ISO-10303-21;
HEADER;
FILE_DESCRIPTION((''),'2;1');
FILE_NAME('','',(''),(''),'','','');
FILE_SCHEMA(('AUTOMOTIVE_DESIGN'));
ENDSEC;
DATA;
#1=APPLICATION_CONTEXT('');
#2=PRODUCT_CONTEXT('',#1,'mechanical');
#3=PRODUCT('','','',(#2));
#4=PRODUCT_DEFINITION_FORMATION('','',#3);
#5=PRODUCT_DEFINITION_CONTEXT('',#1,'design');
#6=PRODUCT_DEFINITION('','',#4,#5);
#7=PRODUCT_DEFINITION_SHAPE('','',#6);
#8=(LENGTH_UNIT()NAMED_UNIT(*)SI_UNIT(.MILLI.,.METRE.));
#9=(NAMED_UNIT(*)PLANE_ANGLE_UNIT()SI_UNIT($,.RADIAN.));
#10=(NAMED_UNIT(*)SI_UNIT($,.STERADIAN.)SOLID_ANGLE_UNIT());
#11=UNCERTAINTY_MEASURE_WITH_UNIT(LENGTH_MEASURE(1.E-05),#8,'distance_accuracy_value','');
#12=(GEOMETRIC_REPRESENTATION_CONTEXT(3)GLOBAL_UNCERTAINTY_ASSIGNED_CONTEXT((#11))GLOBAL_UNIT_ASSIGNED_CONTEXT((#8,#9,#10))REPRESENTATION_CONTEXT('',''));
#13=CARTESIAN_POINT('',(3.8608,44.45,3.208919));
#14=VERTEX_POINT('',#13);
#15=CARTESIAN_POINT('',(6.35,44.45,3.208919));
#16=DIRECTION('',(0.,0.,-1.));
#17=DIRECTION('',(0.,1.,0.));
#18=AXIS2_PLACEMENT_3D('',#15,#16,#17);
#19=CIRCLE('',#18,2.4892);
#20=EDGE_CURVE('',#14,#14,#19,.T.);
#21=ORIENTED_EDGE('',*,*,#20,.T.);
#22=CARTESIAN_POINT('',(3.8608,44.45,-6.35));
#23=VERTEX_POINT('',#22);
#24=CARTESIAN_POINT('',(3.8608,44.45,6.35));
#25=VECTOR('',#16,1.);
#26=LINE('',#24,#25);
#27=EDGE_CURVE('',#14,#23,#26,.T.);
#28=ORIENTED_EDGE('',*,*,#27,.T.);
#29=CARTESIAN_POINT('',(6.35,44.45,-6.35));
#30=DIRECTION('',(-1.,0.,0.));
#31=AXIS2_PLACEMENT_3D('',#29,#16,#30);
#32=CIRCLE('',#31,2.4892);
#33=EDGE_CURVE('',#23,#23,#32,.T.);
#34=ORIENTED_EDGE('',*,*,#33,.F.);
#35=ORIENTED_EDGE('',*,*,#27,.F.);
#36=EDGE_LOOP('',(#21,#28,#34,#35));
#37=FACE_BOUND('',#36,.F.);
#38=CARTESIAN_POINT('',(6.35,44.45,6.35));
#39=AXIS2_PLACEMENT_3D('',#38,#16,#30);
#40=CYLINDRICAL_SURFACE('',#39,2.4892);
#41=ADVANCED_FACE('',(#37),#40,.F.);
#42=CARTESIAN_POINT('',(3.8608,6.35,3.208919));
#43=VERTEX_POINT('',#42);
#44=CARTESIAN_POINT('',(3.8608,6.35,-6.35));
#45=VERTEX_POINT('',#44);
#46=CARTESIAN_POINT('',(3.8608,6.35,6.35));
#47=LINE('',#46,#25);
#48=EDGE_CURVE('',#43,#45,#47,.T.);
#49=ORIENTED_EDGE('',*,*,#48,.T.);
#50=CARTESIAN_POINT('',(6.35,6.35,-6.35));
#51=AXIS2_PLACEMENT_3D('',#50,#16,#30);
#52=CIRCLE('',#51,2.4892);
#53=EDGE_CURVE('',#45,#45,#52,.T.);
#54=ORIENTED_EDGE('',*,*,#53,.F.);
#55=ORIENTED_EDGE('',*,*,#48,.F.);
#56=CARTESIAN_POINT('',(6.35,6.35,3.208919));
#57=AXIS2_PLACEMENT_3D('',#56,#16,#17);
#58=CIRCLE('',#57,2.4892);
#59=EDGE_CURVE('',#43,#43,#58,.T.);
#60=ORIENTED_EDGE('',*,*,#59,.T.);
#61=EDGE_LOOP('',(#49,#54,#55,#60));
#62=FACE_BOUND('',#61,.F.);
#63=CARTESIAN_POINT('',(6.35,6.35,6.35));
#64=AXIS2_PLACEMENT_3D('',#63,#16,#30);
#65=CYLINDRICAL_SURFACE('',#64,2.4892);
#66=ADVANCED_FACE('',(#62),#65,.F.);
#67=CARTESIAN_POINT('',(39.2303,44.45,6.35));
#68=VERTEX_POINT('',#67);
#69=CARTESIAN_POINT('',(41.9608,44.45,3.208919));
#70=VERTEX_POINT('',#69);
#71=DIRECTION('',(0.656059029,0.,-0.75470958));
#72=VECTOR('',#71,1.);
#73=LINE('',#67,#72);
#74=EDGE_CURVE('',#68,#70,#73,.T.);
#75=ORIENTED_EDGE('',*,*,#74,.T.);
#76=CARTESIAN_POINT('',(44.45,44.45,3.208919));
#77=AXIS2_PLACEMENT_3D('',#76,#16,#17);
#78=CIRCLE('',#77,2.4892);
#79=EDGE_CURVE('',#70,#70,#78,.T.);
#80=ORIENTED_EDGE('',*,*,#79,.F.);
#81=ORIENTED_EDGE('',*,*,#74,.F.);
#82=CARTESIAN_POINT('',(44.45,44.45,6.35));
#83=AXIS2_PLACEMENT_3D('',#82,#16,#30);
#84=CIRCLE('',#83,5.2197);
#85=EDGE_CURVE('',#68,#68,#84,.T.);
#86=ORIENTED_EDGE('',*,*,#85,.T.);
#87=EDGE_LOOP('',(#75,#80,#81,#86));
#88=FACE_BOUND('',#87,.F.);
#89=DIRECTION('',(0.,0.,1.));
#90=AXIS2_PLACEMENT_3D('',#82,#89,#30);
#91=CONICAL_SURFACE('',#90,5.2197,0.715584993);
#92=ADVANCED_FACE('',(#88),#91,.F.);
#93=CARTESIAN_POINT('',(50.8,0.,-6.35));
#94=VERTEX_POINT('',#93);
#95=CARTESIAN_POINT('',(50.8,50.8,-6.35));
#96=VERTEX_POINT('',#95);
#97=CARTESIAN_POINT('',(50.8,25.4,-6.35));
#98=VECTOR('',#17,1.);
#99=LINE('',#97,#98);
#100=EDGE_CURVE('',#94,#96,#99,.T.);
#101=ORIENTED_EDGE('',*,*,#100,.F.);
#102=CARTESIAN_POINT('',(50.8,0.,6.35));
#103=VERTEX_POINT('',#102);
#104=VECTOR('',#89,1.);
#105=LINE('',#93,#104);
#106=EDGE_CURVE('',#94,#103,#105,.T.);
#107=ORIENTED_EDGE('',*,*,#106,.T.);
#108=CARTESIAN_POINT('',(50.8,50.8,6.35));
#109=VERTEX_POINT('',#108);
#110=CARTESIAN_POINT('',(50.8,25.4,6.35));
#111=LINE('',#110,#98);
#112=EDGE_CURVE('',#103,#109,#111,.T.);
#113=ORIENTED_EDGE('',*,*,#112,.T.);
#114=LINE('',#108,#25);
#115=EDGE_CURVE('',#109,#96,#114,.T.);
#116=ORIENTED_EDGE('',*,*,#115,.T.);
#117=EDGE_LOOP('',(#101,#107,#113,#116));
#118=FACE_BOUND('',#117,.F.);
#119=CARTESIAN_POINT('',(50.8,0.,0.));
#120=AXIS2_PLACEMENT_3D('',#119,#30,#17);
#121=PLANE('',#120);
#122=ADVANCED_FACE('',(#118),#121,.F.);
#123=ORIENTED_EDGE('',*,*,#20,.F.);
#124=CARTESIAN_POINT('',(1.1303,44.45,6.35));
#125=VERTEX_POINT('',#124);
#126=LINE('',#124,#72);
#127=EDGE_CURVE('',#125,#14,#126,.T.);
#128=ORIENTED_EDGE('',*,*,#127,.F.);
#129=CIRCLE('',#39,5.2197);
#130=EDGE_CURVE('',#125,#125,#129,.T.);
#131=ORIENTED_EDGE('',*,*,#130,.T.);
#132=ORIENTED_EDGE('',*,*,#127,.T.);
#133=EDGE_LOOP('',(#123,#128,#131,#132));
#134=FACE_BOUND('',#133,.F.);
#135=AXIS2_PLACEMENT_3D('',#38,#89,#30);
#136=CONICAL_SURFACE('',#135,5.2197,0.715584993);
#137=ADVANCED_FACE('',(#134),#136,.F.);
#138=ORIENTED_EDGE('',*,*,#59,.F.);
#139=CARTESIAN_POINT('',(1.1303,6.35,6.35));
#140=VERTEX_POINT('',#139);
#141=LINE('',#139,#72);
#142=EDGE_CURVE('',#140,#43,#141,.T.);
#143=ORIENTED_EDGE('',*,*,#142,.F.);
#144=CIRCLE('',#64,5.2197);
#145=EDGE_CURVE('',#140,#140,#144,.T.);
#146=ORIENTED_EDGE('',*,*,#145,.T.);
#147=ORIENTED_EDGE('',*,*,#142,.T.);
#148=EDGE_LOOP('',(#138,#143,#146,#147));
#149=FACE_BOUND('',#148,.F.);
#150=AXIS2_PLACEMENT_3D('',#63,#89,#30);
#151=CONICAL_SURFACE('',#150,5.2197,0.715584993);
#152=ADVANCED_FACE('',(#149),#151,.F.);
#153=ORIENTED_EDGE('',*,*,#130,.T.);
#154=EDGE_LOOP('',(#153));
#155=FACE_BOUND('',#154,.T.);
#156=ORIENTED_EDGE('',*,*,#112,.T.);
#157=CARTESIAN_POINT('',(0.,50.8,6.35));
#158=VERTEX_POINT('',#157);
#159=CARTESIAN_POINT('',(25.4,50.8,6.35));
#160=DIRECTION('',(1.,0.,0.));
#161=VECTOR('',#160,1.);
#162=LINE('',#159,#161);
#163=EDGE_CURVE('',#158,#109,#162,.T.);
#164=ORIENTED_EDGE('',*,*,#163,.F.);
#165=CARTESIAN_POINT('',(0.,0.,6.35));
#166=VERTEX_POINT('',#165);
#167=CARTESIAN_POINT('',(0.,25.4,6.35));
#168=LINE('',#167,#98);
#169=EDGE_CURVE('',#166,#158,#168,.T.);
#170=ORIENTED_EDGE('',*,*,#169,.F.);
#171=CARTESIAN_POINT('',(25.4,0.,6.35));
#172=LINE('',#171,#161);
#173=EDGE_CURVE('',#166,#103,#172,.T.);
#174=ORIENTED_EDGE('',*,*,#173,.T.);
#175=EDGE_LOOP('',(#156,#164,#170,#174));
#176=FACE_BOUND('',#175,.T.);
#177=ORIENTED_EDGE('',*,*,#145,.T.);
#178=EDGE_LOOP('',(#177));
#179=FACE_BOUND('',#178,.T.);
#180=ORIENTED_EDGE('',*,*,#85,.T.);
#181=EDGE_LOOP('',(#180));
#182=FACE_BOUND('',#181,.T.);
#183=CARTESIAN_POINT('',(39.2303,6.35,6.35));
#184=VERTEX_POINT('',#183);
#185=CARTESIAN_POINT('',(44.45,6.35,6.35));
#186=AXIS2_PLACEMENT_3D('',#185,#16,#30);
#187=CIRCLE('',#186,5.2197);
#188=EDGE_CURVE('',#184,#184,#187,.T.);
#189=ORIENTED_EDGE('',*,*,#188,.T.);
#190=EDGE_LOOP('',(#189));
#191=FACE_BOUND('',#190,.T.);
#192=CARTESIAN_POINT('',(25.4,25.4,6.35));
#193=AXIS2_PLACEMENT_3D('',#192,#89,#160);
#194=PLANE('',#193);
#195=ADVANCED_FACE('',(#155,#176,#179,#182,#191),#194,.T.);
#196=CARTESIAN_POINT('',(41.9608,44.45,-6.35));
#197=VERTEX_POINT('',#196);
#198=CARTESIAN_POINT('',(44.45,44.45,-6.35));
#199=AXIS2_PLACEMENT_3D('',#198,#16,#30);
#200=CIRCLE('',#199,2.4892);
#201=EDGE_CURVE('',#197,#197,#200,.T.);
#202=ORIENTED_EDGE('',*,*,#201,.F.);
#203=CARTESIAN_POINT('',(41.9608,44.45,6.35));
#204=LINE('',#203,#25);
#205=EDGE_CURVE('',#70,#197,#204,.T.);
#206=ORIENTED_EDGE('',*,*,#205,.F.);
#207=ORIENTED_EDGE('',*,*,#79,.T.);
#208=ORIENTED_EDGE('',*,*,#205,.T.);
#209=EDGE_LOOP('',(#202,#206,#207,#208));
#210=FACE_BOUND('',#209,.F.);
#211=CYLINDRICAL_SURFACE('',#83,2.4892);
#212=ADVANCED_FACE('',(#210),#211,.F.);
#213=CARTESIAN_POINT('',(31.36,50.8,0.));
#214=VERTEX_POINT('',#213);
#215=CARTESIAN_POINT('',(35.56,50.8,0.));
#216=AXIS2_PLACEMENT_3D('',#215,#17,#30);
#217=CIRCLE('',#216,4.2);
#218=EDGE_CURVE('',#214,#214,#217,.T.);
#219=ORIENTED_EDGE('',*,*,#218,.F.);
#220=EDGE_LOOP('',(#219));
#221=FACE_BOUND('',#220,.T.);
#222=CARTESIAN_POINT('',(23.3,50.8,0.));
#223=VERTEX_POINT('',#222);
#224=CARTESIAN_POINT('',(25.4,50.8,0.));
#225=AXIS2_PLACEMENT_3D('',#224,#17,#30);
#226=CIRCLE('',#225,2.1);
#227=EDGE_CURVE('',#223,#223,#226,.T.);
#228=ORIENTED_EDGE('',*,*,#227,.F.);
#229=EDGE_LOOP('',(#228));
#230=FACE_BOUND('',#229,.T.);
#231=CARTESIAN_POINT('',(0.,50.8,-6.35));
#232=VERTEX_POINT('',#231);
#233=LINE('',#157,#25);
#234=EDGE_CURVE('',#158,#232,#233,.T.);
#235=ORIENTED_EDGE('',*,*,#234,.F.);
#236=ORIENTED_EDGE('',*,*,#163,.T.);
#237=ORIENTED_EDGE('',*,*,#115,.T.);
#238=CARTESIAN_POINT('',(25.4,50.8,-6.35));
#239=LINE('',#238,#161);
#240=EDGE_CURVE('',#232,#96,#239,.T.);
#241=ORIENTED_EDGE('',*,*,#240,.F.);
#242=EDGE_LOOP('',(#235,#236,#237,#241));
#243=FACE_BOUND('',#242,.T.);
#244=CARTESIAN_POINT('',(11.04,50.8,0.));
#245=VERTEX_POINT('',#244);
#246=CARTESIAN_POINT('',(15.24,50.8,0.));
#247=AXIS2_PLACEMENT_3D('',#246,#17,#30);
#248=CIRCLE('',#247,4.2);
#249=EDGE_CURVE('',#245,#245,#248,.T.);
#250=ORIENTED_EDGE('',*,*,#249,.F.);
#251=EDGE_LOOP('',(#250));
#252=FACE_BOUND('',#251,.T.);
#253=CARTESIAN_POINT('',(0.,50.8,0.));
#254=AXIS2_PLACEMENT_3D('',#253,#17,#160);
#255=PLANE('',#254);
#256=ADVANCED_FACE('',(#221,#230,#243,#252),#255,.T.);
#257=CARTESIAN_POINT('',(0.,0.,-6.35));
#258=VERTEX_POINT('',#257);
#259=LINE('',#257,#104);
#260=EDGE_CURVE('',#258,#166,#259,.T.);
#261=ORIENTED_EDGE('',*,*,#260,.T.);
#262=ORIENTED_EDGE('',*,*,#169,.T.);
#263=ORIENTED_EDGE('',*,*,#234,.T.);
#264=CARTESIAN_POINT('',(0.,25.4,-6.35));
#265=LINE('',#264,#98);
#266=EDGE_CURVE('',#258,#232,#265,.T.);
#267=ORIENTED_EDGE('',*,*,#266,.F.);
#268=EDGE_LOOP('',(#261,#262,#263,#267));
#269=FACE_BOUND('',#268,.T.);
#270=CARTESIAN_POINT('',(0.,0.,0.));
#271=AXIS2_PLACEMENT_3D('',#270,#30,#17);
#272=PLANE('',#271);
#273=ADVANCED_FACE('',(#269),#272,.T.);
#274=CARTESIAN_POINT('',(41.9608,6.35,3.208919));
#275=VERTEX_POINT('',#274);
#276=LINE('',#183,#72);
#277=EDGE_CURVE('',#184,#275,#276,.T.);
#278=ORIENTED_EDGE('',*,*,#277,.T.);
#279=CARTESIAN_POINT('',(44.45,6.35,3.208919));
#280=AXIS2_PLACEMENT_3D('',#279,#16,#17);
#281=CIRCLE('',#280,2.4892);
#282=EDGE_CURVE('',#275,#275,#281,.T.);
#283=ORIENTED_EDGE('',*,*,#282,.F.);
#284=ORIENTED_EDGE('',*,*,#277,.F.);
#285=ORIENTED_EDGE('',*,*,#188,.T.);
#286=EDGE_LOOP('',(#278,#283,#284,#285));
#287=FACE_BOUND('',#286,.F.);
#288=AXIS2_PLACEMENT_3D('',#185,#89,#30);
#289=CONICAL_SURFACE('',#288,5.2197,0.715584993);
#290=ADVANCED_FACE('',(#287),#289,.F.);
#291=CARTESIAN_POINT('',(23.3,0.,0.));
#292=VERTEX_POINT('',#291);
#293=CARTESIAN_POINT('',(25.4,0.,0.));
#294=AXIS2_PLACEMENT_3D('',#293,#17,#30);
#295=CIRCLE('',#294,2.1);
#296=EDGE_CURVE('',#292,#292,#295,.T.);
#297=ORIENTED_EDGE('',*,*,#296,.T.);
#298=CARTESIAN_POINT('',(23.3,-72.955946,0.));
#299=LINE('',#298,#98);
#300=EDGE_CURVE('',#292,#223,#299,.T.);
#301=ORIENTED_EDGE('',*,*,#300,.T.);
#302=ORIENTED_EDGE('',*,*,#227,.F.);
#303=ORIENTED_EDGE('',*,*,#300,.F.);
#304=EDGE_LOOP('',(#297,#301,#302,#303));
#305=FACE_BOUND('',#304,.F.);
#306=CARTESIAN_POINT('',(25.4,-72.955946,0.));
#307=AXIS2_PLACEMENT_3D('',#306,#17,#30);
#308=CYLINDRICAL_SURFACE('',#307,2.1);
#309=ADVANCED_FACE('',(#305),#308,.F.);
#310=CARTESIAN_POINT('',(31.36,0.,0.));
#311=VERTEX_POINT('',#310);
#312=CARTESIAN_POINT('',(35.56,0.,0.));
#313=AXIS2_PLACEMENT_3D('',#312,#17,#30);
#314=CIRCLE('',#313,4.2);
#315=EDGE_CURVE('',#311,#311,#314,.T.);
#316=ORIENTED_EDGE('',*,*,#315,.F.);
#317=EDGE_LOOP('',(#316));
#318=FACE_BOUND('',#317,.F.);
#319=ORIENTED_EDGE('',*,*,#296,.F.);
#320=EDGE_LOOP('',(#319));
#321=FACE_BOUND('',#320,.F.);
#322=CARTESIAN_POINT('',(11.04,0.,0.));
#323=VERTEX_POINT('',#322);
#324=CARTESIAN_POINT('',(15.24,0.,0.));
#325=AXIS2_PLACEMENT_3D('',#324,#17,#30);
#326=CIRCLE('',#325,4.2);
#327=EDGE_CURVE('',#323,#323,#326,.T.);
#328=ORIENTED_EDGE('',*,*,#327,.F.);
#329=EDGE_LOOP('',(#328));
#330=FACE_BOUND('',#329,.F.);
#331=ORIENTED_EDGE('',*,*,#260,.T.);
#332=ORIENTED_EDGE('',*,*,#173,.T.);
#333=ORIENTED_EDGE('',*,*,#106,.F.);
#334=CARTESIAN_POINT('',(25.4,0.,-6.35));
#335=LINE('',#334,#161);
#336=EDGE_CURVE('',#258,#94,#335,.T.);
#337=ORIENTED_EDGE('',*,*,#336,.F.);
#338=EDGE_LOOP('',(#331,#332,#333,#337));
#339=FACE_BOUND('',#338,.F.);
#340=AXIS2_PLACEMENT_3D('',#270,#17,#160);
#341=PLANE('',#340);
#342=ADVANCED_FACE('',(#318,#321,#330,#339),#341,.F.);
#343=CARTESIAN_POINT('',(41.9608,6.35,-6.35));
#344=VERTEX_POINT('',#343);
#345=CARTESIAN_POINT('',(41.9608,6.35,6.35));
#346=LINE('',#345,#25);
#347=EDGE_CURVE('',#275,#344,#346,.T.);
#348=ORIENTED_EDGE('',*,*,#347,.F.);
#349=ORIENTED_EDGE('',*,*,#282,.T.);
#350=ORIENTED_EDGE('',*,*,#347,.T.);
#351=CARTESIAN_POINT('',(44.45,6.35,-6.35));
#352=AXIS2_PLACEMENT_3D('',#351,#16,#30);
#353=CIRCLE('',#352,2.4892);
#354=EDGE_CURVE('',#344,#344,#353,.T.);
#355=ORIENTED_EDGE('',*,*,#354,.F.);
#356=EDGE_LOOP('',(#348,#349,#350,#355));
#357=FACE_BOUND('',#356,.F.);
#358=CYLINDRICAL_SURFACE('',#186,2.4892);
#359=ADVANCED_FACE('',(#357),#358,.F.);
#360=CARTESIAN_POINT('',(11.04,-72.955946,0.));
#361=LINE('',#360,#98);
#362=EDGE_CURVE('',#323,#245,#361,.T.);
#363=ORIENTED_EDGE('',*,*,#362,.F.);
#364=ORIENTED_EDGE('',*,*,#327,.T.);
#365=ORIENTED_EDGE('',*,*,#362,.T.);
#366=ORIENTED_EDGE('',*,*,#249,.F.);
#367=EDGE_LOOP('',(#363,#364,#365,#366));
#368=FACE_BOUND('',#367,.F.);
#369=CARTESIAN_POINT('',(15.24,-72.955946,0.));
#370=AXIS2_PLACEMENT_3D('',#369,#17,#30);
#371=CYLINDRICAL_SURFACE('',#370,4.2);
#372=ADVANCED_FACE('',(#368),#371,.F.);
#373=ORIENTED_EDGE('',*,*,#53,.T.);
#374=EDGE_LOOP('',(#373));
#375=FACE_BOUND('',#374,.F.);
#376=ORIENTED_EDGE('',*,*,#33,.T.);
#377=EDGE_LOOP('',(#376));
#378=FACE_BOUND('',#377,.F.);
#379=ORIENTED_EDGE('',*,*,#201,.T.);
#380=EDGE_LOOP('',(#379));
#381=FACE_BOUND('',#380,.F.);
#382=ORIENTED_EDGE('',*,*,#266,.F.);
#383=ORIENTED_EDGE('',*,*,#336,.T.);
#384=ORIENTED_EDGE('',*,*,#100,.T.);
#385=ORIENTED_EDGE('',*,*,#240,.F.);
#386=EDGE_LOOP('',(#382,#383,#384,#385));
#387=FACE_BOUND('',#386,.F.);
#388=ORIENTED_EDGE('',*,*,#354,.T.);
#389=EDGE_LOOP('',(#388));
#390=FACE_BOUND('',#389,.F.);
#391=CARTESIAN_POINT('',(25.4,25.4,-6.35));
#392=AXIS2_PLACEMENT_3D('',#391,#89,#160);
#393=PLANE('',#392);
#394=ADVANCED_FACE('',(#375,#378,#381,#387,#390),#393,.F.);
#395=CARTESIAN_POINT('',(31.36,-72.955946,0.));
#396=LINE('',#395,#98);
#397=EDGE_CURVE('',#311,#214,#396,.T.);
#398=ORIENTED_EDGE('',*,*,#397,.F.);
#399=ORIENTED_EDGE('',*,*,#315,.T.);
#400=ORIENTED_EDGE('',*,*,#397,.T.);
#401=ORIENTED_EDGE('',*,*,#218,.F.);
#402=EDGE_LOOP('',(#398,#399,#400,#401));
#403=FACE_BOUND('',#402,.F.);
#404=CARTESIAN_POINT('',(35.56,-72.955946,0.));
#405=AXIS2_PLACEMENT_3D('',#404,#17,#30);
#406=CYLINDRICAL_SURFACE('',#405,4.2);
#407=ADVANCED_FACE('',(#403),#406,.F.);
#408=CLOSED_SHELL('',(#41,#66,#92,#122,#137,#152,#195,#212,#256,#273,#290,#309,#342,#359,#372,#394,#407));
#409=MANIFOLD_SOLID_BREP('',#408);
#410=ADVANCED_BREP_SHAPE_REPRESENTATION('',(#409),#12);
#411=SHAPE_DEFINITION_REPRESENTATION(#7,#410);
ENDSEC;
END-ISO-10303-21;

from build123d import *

# Parameters (mm, degrees)
F0_W           = 50.8
F0_H           = 50.8
F1_DEPTH       = 6.35
F1_DEPTH_BACK  = 6.35
F3_D           = 8.4
F5_D           = 4.9784
F5_CSINK_D     = 10.4394
F5_CSINK_ANGLE = 82
F6_D           = 4.2


with BuildPart() as f1:
    # F0 (on Top) → F1 (new body, two sides)
    with BuildSketch(Plane.XY) as f1_sk:
        with Locations((25.4, 25.4)):
            Rectangle(F0_W, F0_H)
    extrude(amount=-F1_DEPTH)
    extrude(f1_sk.sketch, amount=F1_DEPTH_BACK)

    # F3 (through all)
    with Locations(Plane.XZ):
        with Locations((15.24, 0), (35.56, 0)):
            Hole(F3_D / 2)

    # F5 (through all)
    with Locations(Plane.XY.offset(6.35)):
        with Locations((6.35, 44.45), (6.35, 6.35), (44.45, 6.35), (44.45, 44.45)):
            CounterSinkHole(F5_D / 2, F5_CSINK_D / 2, counter_sink_angle=F5_CSINK_ANGLE)

    # F6 (through all)
    with Locations(Plane.XZ):
        with Locations((25.4, 0)):
            Hole(F6_D / 2)


solid = f1.part
